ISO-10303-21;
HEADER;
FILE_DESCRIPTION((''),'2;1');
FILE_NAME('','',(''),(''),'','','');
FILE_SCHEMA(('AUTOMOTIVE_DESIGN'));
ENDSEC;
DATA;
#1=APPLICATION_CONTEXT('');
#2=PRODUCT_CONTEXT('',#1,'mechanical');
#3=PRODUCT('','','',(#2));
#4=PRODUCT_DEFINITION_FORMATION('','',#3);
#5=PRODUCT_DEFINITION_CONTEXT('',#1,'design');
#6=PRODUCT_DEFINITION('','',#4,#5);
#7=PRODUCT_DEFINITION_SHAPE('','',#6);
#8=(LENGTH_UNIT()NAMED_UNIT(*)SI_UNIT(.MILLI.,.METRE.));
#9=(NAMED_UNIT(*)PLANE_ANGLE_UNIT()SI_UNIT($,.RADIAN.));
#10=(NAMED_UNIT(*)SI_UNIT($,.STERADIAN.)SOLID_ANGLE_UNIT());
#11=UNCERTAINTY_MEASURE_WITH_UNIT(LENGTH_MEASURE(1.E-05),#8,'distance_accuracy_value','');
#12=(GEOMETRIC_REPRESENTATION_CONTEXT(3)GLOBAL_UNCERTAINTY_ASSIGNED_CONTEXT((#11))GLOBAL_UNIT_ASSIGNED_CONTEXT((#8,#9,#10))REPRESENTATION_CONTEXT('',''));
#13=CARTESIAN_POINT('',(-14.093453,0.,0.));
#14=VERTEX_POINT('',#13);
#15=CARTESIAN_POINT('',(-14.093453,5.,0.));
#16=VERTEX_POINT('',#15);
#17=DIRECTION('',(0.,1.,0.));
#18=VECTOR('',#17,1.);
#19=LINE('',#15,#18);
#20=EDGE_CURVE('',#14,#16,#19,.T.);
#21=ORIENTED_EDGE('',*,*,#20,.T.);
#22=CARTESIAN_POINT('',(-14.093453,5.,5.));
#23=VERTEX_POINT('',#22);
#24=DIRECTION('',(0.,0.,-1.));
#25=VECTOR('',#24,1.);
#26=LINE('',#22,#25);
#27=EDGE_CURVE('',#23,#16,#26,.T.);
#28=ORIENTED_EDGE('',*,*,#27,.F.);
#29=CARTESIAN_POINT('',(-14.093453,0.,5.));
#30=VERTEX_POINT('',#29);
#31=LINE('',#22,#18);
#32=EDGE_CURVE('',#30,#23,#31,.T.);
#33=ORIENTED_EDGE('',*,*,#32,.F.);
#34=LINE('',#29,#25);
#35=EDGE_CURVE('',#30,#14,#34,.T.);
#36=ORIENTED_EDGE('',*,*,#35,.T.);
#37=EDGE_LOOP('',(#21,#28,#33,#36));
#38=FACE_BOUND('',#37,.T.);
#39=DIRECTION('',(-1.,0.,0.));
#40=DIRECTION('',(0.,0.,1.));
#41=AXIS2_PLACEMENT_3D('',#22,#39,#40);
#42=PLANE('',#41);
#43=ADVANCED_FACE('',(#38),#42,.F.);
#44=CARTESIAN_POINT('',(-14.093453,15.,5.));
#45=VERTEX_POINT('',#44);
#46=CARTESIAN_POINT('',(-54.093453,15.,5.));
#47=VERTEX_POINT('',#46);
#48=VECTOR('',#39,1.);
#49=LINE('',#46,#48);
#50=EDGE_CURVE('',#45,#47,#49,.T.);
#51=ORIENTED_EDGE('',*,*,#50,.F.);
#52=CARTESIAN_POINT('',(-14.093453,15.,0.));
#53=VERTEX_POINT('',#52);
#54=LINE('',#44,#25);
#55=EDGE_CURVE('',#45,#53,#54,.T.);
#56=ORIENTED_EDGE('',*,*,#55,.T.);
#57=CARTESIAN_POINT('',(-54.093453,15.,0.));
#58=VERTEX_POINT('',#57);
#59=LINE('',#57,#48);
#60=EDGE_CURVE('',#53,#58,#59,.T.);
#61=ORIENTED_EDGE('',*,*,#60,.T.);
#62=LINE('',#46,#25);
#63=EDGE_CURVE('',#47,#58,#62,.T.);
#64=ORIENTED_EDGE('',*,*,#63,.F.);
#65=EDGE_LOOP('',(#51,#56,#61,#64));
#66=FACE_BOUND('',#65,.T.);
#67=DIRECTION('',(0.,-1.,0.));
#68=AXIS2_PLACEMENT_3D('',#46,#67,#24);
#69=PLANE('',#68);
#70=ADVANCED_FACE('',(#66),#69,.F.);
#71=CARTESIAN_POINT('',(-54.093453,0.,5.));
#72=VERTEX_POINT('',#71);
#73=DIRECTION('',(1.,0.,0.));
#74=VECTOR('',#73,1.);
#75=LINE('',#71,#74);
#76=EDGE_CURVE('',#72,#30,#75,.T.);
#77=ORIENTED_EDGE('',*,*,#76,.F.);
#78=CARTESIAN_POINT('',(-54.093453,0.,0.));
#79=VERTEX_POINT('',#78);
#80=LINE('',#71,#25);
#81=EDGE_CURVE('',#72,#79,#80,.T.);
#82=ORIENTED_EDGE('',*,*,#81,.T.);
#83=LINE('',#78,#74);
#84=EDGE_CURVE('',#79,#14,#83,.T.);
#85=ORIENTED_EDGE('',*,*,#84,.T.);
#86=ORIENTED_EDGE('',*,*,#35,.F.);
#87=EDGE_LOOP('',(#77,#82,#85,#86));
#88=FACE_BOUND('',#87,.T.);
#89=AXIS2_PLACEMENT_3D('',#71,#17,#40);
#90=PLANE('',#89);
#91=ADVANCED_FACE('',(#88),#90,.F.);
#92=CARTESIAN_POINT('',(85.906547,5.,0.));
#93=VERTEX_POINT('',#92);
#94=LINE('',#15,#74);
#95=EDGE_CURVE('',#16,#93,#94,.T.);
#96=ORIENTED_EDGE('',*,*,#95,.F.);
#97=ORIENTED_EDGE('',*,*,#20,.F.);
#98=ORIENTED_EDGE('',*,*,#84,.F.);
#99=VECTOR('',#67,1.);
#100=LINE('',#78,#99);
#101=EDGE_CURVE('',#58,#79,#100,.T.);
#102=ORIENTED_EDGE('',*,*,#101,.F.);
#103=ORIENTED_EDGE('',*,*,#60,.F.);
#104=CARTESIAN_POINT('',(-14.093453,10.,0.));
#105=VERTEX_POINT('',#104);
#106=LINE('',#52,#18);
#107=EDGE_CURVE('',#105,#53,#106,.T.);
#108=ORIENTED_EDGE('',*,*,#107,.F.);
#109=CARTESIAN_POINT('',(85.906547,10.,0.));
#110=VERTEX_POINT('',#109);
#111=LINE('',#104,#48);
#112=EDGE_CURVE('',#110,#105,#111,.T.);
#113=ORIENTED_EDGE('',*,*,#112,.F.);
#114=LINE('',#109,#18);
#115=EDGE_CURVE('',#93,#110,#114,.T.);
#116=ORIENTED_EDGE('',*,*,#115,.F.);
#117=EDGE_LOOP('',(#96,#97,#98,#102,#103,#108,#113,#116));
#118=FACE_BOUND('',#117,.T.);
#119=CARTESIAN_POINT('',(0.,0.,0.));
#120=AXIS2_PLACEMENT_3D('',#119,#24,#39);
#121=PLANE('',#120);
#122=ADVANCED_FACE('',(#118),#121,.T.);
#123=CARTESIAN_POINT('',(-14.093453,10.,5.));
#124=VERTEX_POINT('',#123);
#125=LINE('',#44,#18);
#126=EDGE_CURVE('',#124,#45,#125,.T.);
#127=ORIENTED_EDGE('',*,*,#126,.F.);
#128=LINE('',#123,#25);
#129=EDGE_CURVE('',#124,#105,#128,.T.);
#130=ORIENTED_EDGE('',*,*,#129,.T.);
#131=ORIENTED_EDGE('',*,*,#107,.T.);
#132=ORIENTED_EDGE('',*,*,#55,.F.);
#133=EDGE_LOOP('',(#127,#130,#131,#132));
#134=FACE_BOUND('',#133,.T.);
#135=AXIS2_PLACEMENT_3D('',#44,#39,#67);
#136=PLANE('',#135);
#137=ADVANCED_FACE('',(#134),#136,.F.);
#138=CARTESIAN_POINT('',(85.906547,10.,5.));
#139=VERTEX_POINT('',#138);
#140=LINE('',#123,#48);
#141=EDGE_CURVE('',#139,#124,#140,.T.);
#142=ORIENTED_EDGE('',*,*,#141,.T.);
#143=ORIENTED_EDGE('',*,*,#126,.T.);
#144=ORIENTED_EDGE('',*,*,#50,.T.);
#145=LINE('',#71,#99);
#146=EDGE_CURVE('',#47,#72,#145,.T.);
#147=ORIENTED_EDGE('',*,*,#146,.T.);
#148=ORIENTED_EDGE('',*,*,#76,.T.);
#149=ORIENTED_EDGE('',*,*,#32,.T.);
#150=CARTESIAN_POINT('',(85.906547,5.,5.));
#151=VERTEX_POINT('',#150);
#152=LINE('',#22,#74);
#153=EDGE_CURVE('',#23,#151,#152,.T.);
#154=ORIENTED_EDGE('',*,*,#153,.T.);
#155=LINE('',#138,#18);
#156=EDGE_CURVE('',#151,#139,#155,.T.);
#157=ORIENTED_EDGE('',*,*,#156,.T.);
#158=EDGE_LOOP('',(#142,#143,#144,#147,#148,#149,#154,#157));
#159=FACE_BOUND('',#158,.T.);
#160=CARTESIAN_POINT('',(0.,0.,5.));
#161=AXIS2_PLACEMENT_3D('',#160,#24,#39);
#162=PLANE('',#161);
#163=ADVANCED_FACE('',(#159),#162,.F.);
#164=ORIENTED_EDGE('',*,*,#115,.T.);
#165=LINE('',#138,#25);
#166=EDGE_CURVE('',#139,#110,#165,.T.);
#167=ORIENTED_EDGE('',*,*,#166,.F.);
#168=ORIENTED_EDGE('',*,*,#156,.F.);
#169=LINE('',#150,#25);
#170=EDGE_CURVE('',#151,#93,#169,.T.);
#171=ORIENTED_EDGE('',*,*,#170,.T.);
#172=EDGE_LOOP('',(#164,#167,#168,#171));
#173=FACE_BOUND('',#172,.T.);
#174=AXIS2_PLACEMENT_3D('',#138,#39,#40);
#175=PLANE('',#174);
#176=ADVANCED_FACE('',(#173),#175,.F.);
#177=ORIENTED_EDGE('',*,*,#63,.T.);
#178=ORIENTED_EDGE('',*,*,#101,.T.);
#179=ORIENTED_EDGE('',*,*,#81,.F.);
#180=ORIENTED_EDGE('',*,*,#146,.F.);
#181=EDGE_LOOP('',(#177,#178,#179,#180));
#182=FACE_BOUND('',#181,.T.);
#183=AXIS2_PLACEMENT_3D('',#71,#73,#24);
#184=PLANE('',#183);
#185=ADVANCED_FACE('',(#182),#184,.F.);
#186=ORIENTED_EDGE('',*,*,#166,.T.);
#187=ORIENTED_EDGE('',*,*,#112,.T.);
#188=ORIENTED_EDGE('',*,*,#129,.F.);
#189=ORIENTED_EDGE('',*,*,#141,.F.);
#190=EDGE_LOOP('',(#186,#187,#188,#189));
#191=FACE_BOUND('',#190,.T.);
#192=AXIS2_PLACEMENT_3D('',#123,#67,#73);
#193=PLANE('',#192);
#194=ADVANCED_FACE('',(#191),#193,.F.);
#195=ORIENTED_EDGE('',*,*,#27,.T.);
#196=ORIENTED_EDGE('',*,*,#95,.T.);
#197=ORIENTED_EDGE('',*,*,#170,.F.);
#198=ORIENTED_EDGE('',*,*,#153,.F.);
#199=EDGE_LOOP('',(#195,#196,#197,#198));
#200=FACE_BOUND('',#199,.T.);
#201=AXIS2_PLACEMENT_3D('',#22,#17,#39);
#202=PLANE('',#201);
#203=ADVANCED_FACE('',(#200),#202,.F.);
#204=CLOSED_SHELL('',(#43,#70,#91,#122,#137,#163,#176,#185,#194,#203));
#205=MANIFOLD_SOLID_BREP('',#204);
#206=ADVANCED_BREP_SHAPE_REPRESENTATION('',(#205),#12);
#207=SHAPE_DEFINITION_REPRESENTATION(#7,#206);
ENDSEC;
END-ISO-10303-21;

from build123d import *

# Parameters (mm, degrees)
BOSS_EXTRUDE1_DEPTH = 5


with BuildPart() as part:
    # Sketch1 → Boss-Extrude1 (new body)
    with BuildSketch(Plane.XY):
        Polygon((-54.093453064, 0), (-14.093453064, 0), (-14.093453064, 5), (85.906546936, 5), (85.906546936, 10), (-14.093453064, 10), (-14.093453064, 15), (-54.093453064, 15), align=None)
    extrude(amount=BOSS_EXTRUDE1_DEPTH)


solid = part.part
